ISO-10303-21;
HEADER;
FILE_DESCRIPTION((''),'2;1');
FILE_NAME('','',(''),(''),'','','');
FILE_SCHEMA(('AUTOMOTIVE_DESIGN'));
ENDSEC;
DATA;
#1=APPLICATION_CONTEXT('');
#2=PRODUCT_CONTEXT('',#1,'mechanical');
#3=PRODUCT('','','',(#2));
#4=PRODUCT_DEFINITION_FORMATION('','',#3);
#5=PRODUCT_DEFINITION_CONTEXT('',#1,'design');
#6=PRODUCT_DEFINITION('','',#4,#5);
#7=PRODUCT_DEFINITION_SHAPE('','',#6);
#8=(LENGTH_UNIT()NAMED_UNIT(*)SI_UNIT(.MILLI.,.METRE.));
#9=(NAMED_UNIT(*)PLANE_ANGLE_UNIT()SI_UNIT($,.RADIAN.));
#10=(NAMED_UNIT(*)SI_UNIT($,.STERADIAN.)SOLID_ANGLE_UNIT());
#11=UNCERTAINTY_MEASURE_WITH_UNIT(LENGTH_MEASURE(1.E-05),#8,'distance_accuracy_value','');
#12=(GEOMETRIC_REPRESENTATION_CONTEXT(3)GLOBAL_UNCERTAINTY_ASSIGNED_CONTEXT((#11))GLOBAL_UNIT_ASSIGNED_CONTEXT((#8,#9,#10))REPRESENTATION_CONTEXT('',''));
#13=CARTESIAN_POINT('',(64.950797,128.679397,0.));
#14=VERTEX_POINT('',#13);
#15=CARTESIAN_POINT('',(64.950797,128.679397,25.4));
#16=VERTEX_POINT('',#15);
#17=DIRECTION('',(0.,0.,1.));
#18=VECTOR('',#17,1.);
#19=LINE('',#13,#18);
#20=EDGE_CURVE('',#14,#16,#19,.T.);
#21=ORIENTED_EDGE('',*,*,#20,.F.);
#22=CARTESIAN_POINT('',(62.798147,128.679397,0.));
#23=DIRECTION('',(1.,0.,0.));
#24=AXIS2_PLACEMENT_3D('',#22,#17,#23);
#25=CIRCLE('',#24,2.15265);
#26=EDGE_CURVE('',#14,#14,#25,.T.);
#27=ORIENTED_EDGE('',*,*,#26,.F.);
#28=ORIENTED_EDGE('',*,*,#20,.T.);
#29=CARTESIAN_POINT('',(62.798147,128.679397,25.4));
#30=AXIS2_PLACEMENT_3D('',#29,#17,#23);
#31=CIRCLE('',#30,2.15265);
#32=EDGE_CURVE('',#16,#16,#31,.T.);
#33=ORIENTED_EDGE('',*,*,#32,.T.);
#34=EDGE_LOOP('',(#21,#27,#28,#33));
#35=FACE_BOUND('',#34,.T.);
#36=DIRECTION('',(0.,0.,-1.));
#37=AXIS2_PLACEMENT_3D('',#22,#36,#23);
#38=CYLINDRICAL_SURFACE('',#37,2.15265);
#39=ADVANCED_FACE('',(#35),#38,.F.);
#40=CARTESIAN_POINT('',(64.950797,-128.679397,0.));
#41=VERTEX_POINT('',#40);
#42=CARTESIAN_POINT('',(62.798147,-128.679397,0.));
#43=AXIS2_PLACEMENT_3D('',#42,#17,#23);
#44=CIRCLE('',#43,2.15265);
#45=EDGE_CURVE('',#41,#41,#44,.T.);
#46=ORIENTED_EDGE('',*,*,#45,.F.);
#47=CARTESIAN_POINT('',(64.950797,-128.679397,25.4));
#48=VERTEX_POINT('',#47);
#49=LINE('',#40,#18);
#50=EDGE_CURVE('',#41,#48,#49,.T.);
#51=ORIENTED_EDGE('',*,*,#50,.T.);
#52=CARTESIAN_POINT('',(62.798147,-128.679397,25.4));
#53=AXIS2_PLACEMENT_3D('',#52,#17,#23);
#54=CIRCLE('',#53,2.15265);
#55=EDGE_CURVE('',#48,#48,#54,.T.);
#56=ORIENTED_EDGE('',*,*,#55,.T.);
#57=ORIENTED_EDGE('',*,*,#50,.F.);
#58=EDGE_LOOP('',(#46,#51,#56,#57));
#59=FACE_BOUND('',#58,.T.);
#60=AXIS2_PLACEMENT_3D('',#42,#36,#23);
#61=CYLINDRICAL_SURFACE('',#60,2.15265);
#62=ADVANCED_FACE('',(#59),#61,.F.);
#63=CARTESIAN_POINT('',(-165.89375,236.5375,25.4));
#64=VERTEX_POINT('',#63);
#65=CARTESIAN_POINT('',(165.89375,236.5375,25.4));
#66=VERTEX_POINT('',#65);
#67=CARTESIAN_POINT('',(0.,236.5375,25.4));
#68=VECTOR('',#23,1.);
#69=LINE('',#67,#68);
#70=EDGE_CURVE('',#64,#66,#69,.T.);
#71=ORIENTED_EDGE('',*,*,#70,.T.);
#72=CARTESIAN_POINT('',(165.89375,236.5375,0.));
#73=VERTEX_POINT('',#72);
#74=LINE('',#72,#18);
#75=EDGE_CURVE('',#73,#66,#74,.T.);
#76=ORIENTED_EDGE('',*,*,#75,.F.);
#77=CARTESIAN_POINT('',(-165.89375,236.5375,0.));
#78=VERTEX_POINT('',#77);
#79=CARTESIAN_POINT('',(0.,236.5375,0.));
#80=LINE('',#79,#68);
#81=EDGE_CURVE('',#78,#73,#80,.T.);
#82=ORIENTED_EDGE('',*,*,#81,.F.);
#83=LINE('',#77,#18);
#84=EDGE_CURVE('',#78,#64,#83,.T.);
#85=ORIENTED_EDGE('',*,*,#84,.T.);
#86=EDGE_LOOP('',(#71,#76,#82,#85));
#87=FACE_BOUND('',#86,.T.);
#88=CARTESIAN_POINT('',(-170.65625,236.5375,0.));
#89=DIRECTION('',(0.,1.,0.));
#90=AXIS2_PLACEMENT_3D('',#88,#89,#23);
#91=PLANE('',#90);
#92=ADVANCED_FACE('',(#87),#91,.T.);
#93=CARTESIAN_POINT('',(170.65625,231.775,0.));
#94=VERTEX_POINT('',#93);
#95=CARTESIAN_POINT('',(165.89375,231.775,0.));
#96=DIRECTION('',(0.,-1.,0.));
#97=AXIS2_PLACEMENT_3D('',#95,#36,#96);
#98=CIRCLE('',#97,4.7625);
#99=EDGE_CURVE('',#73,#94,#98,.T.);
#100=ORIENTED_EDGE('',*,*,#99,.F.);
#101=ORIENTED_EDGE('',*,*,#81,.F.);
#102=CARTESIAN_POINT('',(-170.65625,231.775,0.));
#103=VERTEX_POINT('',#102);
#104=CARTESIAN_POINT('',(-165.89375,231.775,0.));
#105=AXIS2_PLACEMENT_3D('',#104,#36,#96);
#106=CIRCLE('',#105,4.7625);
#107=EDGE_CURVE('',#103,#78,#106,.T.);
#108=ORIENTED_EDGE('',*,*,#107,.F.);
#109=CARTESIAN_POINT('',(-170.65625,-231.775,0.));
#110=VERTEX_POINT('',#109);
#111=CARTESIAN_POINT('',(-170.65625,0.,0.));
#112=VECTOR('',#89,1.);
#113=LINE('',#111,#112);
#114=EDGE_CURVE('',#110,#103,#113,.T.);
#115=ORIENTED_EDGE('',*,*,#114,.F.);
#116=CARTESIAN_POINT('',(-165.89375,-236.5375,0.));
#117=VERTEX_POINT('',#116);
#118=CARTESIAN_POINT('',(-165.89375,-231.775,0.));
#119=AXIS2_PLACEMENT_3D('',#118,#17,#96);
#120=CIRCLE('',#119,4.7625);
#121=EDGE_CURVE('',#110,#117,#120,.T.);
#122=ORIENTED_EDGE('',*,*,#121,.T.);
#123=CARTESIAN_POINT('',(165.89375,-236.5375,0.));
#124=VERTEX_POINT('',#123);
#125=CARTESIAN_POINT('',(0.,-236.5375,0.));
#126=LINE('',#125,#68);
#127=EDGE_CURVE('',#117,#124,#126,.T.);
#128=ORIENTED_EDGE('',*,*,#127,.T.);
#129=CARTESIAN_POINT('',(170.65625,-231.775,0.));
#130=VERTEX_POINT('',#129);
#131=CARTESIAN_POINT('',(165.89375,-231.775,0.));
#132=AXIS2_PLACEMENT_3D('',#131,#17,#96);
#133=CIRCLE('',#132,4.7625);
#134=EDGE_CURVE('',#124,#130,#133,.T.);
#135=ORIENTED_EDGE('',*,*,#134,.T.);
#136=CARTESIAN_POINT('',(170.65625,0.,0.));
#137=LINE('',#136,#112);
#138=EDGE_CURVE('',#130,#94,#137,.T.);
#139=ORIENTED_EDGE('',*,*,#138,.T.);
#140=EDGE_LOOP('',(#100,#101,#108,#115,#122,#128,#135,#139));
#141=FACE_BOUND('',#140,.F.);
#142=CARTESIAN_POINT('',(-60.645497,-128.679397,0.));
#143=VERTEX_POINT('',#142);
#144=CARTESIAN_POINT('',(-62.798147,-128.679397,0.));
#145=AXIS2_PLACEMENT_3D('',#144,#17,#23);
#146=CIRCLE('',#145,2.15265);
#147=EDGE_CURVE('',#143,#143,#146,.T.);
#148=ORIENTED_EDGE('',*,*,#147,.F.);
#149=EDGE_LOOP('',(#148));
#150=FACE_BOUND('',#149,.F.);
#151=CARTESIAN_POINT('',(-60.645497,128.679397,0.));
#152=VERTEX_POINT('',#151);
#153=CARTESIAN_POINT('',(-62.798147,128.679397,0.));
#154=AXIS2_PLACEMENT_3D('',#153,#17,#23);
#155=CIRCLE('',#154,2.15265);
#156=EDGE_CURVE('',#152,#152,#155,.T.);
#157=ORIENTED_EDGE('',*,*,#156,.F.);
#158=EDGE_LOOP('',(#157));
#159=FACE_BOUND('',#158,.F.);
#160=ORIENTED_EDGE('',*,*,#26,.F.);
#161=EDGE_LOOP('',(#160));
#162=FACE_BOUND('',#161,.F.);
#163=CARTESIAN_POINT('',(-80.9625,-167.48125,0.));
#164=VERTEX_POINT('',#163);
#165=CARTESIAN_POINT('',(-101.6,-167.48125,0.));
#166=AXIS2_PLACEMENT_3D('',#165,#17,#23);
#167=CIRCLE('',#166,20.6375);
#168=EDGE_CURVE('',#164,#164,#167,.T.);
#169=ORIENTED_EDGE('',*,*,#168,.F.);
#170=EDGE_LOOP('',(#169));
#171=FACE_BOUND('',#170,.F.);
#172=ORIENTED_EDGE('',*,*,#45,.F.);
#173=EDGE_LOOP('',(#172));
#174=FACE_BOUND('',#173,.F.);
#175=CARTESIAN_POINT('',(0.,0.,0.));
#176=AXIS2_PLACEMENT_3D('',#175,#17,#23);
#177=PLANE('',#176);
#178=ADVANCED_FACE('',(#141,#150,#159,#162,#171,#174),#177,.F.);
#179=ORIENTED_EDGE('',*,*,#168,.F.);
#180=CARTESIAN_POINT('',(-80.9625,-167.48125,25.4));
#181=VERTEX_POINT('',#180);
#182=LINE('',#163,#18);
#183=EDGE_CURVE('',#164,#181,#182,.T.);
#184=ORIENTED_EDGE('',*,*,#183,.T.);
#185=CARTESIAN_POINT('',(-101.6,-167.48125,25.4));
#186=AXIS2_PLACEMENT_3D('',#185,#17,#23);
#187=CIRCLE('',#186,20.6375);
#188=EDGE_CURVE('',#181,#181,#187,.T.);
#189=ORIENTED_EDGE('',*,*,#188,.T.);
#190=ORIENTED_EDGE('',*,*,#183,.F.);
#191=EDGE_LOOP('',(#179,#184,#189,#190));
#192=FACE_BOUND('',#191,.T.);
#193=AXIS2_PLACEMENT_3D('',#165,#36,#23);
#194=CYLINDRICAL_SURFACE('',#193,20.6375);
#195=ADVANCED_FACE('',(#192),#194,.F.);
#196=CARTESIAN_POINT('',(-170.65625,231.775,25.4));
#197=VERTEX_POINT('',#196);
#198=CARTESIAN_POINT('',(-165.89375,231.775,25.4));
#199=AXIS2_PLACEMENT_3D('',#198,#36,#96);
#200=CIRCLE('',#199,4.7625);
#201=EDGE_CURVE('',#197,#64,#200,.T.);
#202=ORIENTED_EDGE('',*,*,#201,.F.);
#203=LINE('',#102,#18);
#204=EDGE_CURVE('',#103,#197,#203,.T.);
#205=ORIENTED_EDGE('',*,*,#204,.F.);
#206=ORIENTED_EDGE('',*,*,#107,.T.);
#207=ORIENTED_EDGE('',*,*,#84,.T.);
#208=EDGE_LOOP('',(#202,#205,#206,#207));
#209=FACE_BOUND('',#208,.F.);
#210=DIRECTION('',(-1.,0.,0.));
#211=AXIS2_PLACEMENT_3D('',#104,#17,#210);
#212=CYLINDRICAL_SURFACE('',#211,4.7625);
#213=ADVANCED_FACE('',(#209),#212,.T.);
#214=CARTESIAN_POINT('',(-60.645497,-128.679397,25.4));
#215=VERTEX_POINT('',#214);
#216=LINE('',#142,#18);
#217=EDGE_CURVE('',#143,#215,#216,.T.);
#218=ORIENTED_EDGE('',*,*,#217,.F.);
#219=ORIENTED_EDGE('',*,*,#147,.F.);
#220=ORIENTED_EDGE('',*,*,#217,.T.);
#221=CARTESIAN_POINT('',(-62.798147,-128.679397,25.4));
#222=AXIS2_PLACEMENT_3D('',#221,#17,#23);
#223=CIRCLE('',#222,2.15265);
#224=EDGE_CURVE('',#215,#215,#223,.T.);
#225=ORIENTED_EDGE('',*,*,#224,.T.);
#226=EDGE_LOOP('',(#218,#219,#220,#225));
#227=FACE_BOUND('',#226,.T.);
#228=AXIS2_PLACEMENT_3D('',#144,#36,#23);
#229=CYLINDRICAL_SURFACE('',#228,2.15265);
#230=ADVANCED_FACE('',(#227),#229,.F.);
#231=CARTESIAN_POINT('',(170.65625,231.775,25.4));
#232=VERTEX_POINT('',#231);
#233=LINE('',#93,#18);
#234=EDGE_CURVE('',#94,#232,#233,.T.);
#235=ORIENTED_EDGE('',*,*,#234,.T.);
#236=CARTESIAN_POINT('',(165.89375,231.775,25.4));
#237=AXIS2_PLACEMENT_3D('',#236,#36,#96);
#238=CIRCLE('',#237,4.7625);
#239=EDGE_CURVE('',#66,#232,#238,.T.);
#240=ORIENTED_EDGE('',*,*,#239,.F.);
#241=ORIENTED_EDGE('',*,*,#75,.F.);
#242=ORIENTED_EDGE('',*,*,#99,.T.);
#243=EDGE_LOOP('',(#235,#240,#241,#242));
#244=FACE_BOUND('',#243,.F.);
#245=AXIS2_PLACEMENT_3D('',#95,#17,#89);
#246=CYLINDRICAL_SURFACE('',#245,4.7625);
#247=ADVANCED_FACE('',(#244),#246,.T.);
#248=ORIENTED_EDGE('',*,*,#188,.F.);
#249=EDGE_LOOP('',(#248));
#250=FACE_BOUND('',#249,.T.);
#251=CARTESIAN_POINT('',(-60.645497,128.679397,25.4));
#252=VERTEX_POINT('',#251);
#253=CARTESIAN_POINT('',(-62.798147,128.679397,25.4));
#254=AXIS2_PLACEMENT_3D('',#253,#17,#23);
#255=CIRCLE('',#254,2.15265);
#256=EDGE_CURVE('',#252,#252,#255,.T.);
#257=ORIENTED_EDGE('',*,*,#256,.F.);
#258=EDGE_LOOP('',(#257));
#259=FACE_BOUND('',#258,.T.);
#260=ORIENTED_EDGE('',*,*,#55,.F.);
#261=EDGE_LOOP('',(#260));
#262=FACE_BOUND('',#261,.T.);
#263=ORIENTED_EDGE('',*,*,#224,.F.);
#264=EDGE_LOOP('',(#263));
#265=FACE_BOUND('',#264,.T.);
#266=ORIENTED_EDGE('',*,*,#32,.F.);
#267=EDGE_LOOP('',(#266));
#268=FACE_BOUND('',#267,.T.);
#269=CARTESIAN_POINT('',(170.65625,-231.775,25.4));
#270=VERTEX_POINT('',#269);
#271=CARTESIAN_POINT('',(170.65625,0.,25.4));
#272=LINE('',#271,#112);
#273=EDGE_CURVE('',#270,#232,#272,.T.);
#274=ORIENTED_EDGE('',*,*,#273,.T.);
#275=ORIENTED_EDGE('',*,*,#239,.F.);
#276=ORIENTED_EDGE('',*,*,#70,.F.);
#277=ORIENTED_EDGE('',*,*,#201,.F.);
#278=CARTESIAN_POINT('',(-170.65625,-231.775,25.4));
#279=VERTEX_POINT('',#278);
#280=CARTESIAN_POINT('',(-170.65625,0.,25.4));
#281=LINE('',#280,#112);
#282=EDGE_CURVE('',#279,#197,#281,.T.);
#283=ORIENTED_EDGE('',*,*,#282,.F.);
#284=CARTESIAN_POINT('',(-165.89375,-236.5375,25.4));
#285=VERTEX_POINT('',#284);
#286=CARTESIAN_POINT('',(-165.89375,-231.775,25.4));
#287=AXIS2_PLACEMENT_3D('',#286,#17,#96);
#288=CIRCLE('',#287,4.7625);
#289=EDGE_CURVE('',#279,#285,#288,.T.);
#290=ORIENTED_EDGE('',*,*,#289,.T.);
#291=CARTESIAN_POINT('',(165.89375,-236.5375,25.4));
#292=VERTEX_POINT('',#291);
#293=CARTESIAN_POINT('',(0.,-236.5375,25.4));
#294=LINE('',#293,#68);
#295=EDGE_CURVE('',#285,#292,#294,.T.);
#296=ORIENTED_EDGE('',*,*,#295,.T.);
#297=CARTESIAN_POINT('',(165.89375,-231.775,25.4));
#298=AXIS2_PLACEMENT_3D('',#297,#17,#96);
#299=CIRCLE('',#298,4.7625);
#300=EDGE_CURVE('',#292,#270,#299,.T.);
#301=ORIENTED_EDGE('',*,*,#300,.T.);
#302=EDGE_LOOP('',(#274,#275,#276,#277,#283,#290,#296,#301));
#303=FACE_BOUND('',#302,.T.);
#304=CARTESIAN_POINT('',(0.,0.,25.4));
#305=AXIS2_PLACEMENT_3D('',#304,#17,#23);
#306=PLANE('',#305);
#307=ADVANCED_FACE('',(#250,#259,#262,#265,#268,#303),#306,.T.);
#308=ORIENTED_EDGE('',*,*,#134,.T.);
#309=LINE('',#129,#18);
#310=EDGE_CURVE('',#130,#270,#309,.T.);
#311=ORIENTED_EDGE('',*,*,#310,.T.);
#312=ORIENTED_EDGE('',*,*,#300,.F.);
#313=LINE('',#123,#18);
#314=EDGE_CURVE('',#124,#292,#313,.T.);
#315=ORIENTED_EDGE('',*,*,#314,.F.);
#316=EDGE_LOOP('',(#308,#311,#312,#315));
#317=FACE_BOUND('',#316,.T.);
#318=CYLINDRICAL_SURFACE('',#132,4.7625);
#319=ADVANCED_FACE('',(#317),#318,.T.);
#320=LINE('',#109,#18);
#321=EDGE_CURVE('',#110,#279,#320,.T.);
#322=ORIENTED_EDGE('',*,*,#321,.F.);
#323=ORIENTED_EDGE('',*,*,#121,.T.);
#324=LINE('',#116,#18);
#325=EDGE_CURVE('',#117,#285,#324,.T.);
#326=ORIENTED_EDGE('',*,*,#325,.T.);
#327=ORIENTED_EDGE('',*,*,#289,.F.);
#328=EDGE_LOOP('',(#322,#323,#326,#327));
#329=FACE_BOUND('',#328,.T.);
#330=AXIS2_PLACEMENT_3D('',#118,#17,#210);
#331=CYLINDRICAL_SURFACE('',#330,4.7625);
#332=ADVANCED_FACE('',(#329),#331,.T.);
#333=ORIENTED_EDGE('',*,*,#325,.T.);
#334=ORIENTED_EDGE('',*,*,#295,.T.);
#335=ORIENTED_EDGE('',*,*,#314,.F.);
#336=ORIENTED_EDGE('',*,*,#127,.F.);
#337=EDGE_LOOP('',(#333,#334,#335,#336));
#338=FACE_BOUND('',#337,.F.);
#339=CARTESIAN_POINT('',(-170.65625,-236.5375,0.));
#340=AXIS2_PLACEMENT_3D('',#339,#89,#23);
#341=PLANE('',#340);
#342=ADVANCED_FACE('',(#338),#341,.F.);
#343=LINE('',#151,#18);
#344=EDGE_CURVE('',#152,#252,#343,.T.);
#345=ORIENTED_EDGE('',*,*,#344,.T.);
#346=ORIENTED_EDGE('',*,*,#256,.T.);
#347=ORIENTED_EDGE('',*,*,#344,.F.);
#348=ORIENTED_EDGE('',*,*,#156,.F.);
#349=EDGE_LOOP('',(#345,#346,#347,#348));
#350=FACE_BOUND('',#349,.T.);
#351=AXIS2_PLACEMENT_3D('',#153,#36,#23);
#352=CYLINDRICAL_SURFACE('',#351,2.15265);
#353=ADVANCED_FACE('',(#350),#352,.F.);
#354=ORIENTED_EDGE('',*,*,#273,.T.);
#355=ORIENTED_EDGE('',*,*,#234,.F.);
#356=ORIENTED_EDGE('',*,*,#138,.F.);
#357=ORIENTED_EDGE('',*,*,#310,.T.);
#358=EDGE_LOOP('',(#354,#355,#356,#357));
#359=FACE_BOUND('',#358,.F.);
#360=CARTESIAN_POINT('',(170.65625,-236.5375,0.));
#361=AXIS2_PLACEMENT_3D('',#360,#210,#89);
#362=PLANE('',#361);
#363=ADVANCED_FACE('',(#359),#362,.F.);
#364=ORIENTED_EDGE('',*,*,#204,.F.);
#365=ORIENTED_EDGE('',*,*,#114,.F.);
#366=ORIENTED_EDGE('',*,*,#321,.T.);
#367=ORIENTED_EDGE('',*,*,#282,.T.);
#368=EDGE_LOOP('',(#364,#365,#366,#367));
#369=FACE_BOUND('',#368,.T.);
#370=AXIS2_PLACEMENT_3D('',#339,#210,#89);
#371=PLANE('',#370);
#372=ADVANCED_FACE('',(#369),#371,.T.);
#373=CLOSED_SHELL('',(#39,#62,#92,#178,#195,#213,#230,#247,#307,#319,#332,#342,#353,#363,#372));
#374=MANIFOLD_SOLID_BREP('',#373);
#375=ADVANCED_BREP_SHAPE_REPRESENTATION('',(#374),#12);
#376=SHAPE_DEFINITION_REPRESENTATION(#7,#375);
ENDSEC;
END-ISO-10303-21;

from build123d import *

# Parameters (mm, degrees)
F0_W     = 341.3125
F0_H     = 473.075
F0_R     = 20.6375
F0_R_2   = 2.15265
F1_DEPTH = 25.4
F2_R     = 4.7625


with BuildPart() as f1:
    # F0 (on Top) → F1 (new body)
    with BuildSketch(Plane.XY):
        Rectangle(F0_W, F0_H)
        with Locations((-101.6, -167.48125)):
            Circle(F0_R, mode=Mode.SUBTRACT)
        with Locations((-62.798147, -128.679397)):
            Circle(F0_R_2, mode=Mode.SUBTRACT)
        with Locations((62.798147, -128.679397)):
            Circle(F0_R_2, mode=Mode.SUBTRACT)
        with Locations((-62.798147, 128.679397)):
            Circle(F0_R_2, mode=Mode.SUBTRACT)
        with Locations((62.798147, 128.679397)):
            Circle(F0_R_2, mode=Mode.SUBTRACT)
    extrude(amount=F1_DEPTH)

    # F2
    f2_edges = [f1.edges().sort_by_distance(p)[0] for p in [
        (-170.65625, 236.5375, 12.7),
        (170.65625, 236.5375, 12.7),
        (170.65625, -236.5375, 12.7),
        (-170.65625, -236.5375, 12.7),
    ]]
    fillet(f2_edges, radius=F2_R)


solid = f1.part
